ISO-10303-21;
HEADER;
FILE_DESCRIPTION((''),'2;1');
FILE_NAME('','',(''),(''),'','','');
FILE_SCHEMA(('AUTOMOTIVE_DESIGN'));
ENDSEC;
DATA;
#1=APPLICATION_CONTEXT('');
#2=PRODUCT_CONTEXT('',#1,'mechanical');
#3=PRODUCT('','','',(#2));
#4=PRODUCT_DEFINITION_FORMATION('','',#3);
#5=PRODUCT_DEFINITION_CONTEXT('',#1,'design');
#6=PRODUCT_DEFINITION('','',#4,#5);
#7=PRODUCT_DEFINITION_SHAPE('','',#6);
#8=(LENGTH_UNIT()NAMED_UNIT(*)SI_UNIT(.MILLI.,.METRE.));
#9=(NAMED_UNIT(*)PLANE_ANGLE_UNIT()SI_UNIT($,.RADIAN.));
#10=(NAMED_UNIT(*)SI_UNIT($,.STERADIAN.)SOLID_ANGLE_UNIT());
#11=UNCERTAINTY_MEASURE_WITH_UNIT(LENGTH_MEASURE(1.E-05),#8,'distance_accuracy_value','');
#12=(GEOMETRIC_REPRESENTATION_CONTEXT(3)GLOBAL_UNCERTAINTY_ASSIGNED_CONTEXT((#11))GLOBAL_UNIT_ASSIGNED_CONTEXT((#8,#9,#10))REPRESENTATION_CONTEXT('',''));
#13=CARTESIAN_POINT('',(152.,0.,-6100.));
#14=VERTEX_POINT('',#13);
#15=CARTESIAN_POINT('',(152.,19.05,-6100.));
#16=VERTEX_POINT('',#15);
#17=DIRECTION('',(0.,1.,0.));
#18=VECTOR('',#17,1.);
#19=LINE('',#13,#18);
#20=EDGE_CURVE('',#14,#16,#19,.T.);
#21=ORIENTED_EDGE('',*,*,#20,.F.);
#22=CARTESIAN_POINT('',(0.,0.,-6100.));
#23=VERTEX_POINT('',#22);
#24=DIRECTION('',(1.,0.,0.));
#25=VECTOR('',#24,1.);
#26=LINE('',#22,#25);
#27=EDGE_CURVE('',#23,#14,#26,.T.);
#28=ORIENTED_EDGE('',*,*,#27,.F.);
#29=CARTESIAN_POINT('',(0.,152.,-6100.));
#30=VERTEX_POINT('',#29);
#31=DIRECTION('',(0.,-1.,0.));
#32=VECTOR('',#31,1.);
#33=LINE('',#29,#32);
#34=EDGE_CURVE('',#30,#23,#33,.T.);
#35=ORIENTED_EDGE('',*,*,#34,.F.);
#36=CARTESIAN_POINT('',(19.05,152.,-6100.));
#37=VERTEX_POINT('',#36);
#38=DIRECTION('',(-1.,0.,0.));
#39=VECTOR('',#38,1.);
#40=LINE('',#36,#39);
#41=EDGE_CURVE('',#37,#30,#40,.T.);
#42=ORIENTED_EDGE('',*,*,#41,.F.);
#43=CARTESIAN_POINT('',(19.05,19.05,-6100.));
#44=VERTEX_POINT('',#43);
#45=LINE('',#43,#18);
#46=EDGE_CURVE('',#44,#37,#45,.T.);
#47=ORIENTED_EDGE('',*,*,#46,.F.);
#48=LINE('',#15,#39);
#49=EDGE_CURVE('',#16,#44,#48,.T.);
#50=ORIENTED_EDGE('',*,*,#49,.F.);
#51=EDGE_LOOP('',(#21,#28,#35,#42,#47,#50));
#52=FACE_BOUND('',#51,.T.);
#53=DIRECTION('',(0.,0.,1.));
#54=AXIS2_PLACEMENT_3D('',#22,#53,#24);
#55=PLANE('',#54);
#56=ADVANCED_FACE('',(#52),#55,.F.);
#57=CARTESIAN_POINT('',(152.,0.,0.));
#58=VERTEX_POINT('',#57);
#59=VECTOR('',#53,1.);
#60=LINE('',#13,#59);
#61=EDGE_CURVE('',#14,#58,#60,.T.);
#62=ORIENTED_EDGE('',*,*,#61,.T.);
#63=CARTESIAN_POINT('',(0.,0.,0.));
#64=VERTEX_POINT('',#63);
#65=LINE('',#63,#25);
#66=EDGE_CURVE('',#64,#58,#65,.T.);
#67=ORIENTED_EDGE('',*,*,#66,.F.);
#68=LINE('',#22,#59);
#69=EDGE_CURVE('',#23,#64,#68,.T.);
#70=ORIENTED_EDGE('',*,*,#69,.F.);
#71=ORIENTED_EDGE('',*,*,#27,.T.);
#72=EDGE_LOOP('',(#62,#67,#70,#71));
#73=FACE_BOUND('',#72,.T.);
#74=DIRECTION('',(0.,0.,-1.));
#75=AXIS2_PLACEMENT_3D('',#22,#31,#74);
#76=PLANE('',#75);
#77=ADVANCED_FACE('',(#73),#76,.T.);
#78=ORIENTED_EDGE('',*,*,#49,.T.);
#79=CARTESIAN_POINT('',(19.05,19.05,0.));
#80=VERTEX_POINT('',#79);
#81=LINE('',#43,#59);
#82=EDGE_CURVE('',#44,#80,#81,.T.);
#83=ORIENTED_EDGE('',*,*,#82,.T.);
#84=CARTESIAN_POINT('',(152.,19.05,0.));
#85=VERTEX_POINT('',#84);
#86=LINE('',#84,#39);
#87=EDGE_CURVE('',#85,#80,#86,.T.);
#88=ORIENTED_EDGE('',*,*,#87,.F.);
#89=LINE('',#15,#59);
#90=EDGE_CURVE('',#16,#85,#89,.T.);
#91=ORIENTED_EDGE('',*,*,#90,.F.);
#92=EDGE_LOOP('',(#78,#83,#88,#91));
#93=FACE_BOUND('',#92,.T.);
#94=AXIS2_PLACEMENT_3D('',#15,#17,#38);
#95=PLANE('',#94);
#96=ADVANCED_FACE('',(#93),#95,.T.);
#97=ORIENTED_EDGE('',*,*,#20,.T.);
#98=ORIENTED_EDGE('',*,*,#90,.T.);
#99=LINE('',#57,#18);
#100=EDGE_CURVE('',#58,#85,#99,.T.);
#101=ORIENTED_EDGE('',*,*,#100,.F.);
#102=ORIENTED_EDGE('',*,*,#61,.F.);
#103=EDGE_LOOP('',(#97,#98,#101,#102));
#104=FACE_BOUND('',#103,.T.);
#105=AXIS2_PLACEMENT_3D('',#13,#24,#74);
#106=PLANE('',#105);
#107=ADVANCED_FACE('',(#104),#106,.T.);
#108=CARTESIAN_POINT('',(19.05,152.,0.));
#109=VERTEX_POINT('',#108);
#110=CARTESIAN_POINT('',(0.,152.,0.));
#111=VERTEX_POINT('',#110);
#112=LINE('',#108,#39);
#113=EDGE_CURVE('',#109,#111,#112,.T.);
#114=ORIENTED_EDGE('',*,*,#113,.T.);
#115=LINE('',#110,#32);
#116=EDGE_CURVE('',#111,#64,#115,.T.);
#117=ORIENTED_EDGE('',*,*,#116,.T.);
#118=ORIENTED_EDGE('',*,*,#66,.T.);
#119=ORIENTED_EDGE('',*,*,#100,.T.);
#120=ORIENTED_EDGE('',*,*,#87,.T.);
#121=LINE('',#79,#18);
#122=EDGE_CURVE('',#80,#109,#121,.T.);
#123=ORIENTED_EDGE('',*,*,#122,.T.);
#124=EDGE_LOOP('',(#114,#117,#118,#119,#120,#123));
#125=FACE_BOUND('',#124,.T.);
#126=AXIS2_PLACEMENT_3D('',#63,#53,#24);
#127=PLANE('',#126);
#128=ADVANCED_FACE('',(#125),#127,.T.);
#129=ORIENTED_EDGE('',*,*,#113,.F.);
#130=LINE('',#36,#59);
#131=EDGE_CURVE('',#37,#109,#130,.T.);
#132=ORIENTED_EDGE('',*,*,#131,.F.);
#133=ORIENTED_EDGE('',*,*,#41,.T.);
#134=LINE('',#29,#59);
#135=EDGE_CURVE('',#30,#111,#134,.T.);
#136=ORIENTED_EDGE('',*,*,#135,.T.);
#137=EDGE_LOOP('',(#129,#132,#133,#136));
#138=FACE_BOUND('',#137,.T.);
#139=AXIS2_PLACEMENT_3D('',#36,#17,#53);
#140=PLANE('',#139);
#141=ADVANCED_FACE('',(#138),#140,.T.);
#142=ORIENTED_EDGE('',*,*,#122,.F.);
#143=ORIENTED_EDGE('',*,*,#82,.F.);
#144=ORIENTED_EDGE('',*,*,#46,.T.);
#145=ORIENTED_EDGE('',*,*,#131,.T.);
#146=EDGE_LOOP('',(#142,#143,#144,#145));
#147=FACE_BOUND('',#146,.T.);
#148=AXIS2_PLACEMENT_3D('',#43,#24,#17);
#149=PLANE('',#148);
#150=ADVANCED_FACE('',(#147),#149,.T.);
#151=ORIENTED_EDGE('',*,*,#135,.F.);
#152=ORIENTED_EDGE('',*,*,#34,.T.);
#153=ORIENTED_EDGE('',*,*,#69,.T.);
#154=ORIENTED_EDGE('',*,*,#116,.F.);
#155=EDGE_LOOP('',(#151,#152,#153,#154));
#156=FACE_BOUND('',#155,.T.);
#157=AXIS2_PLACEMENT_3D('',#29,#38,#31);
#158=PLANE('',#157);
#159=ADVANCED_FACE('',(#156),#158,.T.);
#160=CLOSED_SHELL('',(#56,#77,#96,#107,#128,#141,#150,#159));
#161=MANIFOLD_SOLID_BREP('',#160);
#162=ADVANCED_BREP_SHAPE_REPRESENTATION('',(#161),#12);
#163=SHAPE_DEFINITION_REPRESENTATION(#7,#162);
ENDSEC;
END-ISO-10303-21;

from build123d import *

# Parameters (mm, degrees)
SALIENTE_EXTRUIR1_DEPTH = 6100


with BuildPart() as part:
    # Croquis1 → Saliente-Extruir1 (new body)
    with BuildSketch(Plane.XY):
        Polygon((0, 152), (0, 0), (152, 0), (152, 19.05), (19.05, 19.05), (19.05, 152), align=None)
    extrude(amount=-SALIENTE_EXTRUIR1_DEPTH)


solid = part.part
